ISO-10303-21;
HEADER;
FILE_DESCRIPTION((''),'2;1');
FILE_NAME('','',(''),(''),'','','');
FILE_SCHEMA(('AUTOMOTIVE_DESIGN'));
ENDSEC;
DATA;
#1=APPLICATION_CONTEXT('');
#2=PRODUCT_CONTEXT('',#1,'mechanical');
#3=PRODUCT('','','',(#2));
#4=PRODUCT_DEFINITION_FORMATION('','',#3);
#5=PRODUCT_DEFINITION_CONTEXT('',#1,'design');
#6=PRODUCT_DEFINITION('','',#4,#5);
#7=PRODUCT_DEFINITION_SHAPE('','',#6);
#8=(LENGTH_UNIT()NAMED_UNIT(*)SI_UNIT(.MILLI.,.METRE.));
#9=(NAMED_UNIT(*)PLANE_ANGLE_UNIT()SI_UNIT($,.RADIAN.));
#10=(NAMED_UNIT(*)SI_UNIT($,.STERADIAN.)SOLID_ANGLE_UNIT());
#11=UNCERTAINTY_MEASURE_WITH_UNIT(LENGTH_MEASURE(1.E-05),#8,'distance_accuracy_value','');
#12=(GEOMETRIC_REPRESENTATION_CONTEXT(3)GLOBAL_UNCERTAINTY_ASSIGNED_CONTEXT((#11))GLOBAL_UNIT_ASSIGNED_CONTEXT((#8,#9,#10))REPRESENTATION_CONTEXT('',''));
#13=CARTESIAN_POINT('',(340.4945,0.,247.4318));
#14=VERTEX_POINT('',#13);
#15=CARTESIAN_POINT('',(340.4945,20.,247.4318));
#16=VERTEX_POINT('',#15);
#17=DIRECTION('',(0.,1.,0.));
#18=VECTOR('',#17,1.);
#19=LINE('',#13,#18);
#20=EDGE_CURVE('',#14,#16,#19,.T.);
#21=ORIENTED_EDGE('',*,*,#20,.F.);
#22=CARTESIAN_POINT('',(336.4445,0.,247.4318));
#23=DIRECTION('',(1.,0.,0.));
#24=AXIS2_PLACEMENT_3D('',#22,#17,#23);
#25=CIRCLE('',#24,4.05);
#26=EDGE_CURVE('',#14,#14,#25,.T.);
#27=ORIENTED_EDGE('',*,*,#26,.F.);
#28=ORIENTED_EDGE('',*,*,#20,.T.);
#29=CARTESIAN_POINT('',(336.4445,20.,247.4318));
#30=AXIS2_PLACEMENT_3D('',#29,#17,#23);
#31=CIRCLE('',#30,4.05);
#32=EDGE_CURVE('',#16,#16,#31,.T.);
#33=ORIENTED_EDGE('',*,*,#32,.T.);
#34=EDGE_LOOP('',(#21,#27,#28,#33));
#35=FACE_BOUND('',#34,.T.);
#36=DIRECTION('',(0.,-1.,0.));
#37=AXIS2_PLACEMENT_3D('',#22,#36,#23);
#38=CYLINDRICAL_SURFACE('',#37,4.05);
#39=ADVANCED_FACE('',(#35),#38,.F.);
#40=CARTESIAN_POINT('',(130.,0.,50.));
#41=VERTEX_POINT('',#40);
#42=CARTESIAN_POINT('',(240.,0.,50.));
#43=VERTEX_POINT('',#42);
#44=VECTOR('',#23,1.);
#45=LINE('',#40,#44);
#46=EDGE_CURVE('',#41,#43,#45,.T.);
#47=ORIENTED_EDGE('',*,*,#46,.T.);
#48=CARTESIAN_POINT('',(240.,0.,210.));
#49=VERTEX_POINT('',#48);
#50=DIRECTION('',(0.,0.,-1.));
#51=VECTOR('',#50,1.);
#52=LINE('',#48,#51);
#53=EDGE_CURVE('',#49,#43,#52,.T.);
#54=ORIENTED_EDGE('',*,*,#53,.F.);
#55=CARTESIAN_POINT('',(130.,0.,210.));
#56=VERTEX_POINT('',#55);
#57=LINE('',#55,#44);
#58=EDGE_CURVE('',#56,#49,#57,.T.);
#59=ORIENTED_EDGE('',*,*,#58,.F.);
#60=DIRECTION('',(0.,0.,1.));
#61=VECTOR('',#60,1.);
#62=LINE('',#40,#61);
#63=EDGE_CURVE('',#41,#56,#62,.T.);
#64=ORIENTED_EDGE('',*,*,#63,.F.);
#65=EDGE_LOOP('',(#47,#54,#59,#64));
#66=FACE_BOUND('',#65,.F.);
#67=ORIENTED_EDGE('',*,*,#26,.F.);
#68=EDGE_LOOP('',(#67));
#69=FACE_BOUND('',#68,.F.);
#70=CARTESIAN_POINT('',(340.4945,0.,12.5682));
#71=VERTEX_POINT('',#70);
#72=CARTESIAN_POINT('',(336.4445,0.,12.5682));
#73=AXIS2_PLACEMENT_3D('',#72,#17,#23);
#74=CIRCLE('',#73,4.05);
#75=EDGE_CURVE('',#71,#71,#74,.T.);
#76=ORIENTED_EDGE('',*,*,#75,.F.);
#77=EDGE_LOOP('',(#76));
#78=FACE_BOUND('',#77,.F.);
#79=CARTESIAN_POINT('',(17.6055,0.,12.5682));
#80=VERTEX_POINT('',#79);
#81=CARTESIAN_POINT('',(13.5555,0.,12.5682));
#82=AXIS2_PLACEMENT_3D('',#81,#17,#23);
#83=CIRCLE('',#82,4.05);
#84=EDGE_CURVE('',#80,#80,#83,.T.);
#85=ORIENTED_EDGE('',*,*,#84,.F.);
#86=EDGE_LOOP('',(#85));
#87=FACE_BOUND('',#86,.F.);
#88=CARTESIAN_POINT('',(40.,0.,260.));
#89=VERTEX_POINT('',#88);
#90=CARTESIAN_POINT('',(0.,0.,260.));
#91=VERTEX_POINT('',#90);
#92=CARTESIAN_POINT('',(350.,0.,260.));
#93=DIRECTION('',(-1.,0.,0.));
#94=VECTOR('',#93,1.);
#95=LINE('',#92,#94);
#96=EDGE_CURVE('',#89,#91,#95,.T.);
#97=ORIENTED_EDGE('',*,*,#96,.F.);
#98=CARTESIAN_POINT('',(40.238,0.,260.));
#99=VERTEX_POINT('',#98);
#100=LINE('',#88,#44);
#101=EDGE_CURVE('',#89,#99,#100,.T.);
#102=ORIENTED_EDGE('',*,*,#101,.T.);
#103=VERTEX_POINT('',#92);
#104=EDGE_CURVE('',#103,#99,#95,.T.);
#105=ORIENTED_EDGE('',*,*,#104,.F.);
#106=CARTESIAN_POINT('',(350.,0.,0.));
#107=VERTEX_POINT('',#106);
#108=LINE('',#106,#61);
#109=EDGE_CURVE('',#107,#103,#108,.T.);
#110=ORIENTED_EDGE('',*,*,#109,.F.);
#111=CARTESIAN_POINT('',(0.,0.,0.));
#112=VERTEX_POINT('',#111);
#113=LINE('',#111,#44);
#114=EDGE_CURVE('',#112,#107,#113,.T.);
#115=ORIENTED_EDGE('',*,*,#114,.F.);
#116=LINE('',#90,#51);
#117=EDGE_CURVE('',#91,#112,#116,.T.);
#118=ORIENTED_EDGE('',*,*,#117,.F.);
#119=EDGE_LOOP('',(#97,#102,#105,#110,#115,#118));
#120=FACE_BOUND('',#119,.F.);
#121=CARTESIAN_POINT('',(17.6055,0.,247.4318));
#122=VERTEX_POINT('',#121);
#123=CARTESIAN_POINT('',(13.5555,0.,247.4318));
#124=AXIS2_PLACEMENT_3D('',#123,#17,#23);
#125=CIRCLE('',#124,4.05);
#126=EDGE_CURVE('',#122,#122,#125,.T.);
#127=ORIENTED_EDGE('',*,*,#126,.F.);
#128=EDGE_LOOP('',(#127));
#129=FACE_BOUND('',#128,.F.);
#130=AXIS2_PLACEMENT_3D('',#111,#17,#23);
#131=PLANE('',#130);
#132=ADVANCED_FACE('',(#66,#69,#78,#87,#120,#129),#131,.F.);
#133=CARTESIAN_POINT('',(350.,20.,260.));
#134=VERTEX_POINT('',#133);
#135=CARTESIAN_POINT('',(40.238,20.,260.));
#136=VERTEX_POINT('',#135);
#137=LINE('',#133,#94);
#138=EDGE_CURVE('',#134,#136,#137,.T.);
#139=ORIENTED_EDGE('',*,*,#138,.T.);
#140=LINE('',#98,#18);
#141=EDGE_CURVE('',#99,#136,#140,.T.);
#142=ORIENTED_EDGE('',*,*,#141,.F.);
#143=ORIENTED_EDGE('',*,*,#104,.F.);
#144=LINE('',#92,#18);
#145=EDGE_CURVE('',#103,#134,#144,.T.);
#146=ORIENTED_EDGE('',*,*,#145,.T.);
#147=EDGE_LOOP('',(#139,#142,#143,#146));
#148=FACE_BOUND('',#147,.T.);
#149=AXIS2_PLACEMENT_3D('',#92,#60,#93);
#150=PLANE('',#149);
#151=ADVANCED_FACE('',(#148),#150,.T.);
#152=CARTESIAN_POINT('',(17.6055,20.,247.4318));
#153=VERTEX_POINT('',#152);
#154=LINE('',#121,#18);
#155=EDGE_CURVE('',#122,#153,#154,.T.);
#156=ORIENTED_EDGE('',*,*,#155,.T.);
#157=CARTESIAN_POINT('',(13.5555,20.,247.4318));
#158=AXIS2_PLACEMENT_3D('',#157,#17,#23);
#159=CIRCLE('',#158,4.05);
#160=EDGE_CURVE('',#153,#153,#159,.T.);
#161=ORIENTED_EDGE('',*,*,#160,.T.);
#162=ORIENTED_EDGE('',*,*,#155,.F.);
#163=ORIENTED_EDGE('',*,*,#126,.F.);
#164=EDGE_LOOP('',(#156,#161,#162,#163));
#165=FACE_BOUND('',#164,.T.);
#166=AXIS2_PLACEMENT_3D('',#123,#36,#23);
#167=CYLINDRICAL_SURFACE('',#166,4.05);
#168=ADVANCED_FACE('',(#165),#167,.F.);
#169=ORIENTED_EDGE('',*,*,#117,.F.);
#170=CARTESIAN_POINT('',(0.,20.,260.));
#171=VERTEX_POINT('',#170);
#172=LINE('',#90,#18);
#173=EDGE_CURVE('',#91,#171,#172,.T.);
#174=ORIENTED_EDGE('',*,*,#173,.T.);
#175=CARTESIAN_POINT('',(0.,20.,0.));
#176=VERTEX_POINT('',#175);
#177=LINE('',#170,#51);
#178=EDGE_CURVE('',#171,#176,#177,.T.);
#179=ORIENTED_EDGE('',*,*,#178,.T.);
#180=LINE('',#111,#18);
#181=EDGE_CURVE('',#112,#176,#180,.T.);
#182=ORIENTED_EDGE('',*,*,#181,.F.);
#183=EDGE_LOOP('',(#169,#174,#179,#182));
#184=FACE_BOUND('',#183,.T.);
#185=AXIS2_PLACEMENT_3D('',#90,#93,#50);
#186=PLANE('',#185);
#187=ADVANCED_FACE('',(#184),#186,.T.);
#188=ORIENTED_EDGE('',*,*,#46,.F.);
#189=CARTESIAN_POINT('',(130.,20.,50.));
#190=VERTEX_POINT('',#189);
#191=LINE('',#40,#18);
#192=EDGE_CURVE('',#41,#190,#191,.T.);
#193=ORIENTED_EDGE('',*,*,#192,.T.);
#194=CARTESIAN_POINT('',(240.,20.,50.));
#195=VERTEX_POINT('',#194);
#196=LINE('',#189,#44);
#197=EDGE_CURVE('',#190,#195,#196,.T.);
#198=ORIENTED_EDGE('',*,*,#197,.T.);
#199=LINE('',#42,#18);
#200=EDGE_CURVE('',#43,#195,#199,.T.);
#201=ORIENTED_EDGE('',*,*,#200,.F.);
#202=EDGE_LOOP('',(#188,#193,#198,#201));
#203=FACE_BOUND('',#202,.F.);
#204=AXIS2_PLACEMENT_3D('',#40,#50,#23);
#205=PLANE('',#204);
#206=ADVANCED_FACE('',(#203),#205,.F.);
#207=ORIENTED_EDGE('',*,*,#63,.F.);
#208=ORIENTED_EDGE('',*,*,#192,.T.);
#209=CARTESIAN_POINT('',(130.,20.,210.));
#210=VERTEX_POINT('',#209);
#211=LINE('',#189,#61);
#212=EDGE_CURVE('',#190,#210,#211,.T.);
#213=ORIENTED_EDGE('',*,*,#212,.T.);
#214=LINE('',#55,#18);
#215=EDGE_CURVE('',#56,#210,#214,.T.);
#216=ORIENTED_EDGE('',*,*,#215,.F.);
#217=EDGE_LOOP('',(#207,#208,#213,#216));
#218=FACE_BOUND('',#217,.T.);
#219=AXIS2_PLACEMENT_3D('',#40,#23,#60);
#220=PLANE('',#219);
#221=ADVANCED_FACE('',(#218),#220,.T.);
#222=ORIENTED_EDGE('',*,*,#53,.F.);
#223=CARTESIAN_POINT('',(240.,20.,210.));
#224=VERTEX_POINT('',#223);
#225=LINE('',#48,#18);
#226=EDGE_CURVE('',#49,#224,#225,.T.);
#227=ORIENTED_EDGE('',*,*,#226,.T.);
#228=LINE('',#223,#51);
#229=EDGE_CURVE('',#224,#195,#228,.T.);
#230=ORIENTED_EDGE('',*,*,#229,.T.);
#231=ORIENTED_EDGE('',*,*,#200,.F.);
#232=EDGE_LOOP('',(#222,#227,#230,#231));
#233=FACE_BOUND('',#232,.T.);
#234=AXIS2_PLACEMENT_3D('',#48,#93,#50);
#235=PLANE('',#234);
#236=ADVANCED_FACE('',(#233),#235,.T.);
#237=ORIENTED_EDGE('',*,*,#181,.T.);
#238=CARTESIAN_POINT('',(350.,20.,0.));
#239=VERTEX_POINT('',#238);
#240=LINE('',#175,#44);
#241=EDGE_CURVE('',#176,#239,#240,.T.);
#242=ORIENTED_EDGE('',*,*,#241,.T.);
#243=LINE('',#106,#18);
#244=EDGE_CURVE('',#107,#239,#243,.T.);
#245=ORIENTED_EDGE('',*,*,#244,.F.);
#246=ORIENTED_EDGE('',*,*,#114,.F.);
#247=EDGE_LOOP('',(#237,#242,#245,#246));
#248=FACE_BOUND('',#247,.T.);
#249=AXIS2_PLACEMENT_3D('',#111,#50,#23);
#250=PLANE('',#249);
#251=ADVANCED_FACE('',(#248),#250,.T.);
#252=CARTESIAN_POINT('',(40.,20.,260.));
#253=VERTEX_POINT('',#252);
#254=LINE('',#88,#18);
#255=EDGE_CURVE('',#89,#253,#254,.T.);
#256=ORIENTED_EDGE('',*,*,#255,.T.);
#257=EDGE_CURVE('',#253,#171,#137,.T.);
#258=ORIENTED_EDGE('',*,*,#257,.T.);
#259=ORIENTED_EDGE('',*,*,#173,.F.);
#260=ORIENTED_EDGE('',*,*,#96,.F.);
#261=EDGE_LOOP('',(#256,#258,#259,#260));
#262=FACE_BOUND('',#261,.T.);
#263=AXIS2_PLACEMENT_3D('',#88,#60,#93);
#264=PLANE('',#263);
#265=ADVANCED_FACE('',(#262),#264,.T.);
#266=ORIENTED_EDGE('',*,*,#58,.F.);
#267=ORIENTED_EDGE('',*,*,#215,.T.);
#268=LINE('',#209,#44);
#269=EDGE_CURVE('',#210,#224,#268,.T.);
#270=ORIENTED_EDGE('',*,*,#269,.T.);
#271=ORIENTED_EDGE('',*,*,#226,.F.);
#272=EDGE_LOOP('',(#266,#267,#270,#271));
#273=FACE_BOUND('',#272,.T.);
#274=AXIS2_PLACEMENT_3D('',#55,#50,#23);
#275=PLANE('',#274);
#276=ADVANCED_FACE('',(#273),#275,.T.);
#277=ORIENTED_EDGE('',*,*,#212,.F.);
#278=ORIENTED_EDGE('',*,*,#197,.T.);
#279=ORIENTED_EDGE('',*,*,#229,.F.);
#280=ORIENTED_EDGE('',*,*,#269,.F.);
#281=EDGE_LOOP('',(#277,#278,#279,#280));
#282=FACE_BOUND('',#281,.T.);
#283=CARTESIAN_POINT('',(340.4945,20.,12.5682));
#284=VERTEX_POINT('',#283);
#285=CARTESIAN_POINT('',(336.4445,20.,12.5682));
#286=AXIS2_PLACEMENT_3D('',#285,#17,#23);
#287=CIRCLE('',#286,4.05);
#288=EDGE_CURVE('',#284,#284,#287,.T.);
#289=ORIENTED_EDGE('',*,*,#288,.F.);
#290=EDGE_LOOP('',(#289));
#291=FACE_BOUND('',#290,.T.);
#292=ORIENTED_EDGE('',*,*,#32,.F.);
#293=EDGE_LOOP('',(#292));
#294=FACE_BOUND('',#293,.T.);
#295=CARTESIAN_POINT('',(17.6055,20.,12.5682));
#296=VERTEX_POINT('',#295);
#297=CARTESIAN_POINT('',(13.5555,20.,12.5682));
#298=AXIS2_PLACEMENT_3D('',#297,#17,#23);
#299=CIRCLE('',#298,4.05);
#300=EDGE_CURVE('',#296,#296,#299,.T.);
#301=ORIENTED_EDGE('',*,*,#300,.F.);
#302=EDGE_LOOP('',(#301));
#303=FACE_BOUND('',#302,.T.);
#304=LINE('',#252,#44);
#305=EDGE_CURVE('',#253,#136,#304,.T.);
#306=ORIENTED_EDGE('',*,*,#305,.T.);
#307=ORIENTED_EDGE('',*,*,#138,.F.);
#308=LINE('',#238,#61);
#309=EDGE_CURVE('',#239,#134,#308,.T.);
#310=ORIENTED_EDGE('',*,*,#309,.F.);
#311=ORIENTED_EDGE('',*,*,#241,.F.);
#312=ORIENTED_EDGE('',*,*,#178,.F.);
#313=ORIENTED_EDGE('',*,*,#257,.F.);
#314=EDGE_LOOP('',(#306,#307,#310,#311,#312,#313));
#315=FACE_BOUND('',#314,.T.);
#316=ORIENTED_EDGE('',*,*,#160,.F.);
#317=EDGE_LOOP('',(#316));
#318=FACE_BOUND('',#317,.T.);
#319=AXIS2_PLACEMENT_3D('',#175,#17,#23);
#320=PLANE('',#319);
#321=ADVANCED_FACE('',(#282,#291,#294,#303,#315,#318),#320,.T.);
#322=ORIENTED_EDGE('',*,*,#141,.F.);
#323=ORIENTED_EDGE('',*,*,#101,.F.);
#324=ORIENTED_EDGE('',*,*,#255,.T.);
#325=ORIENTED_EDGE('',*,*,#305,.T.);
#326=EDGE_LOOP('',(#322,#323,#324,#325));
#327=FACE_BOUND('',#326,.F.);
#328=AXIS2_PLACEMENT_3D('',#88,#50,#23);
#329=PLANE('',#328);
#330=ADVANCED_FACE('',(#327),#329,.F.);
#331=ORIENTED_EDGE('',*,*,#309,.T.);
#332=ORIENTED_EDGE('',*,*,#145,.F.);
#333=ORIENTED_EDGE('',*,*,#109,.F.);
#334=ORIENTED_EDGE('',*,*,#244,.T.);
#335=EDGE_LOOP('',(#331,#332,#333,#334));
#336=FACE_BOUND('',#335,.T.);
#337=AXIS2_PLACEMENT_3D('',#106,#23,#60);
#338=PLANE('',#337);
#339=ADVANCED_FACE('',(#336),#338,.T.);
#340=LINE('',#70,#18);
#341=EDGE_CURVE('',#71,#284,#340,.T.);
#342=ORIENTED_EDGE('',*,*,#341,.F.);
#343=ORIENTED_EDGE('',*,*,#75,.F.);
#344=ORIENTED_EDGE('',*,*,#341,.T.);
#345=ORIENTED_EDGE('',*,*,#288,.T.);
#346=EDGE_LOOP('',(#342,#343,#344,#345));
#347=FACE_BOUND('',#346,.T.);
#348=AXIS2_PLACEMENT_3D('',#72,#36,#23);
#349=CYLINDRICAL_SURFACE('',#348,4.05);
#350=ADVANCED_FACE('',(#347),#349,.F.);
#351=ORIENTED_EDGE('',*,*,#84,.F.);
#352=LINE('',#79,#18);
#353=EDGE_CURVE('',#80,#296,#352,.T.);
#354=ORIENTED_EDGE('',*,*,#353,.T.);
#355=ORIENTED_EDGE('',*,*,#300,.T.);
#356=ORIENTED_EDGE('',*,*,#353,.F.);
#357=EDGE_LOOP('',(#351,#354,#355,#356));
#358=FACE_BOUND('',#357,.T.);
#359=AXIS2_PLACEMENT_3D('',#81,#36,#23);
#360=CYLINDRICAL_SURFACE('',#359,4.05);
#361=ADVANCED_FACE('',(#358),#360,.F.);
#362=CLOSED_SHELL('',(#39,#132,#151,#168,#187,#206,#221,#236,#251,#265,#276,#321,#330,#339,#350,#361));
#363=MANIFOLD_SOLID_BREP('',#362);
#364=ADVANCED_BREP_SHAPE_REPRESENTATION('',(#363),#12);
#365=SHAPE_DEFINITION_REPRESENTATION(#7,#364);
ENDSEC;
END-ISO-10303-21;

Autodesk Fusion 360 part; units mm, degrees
sketch "Sketch1" plane through (0, 0, 0) normal (0, 1, 0) x (1, 0, 0)
  line L0 (0, 0) -> (350, 0)
  line L1 (350, 0) -> (350, -260)
  line L2 (350, -260) -> (0, -260)
  line L3 (0, -260) -> (0, 0)
  circle A0 centre (13.5555, -247.4318) radius 4.05
  line L4 (175, -260) -> (175, 0) construction
  line L5 (0, -130) -> (350, -130) construction
  line L6 (350, -130) -> (0, -130) construction
  circle A1 centre (336.4445, -247.4318) radius 4.05
  circle A2 centre (336.4445, -12.5682) radius 4.05
  circle A3 centre (13.5555, -12.5682) radius 4.05
  line L7 (40, -260) -> (40.238, -260)
  line L8 (130, -50) -> (240, -50)
  line L9 (130, -50) -> (130, -210)
  line L10 (130, -210) -> (240, -210)
  line L11 (240, -210) -> (240, -50)
  dimension "d1" = 350
  dimension "d2" = 260
  dimension "d3" = 8.1
extrude "Extrude1" add sketch "Sketch1" along normal blind 20
